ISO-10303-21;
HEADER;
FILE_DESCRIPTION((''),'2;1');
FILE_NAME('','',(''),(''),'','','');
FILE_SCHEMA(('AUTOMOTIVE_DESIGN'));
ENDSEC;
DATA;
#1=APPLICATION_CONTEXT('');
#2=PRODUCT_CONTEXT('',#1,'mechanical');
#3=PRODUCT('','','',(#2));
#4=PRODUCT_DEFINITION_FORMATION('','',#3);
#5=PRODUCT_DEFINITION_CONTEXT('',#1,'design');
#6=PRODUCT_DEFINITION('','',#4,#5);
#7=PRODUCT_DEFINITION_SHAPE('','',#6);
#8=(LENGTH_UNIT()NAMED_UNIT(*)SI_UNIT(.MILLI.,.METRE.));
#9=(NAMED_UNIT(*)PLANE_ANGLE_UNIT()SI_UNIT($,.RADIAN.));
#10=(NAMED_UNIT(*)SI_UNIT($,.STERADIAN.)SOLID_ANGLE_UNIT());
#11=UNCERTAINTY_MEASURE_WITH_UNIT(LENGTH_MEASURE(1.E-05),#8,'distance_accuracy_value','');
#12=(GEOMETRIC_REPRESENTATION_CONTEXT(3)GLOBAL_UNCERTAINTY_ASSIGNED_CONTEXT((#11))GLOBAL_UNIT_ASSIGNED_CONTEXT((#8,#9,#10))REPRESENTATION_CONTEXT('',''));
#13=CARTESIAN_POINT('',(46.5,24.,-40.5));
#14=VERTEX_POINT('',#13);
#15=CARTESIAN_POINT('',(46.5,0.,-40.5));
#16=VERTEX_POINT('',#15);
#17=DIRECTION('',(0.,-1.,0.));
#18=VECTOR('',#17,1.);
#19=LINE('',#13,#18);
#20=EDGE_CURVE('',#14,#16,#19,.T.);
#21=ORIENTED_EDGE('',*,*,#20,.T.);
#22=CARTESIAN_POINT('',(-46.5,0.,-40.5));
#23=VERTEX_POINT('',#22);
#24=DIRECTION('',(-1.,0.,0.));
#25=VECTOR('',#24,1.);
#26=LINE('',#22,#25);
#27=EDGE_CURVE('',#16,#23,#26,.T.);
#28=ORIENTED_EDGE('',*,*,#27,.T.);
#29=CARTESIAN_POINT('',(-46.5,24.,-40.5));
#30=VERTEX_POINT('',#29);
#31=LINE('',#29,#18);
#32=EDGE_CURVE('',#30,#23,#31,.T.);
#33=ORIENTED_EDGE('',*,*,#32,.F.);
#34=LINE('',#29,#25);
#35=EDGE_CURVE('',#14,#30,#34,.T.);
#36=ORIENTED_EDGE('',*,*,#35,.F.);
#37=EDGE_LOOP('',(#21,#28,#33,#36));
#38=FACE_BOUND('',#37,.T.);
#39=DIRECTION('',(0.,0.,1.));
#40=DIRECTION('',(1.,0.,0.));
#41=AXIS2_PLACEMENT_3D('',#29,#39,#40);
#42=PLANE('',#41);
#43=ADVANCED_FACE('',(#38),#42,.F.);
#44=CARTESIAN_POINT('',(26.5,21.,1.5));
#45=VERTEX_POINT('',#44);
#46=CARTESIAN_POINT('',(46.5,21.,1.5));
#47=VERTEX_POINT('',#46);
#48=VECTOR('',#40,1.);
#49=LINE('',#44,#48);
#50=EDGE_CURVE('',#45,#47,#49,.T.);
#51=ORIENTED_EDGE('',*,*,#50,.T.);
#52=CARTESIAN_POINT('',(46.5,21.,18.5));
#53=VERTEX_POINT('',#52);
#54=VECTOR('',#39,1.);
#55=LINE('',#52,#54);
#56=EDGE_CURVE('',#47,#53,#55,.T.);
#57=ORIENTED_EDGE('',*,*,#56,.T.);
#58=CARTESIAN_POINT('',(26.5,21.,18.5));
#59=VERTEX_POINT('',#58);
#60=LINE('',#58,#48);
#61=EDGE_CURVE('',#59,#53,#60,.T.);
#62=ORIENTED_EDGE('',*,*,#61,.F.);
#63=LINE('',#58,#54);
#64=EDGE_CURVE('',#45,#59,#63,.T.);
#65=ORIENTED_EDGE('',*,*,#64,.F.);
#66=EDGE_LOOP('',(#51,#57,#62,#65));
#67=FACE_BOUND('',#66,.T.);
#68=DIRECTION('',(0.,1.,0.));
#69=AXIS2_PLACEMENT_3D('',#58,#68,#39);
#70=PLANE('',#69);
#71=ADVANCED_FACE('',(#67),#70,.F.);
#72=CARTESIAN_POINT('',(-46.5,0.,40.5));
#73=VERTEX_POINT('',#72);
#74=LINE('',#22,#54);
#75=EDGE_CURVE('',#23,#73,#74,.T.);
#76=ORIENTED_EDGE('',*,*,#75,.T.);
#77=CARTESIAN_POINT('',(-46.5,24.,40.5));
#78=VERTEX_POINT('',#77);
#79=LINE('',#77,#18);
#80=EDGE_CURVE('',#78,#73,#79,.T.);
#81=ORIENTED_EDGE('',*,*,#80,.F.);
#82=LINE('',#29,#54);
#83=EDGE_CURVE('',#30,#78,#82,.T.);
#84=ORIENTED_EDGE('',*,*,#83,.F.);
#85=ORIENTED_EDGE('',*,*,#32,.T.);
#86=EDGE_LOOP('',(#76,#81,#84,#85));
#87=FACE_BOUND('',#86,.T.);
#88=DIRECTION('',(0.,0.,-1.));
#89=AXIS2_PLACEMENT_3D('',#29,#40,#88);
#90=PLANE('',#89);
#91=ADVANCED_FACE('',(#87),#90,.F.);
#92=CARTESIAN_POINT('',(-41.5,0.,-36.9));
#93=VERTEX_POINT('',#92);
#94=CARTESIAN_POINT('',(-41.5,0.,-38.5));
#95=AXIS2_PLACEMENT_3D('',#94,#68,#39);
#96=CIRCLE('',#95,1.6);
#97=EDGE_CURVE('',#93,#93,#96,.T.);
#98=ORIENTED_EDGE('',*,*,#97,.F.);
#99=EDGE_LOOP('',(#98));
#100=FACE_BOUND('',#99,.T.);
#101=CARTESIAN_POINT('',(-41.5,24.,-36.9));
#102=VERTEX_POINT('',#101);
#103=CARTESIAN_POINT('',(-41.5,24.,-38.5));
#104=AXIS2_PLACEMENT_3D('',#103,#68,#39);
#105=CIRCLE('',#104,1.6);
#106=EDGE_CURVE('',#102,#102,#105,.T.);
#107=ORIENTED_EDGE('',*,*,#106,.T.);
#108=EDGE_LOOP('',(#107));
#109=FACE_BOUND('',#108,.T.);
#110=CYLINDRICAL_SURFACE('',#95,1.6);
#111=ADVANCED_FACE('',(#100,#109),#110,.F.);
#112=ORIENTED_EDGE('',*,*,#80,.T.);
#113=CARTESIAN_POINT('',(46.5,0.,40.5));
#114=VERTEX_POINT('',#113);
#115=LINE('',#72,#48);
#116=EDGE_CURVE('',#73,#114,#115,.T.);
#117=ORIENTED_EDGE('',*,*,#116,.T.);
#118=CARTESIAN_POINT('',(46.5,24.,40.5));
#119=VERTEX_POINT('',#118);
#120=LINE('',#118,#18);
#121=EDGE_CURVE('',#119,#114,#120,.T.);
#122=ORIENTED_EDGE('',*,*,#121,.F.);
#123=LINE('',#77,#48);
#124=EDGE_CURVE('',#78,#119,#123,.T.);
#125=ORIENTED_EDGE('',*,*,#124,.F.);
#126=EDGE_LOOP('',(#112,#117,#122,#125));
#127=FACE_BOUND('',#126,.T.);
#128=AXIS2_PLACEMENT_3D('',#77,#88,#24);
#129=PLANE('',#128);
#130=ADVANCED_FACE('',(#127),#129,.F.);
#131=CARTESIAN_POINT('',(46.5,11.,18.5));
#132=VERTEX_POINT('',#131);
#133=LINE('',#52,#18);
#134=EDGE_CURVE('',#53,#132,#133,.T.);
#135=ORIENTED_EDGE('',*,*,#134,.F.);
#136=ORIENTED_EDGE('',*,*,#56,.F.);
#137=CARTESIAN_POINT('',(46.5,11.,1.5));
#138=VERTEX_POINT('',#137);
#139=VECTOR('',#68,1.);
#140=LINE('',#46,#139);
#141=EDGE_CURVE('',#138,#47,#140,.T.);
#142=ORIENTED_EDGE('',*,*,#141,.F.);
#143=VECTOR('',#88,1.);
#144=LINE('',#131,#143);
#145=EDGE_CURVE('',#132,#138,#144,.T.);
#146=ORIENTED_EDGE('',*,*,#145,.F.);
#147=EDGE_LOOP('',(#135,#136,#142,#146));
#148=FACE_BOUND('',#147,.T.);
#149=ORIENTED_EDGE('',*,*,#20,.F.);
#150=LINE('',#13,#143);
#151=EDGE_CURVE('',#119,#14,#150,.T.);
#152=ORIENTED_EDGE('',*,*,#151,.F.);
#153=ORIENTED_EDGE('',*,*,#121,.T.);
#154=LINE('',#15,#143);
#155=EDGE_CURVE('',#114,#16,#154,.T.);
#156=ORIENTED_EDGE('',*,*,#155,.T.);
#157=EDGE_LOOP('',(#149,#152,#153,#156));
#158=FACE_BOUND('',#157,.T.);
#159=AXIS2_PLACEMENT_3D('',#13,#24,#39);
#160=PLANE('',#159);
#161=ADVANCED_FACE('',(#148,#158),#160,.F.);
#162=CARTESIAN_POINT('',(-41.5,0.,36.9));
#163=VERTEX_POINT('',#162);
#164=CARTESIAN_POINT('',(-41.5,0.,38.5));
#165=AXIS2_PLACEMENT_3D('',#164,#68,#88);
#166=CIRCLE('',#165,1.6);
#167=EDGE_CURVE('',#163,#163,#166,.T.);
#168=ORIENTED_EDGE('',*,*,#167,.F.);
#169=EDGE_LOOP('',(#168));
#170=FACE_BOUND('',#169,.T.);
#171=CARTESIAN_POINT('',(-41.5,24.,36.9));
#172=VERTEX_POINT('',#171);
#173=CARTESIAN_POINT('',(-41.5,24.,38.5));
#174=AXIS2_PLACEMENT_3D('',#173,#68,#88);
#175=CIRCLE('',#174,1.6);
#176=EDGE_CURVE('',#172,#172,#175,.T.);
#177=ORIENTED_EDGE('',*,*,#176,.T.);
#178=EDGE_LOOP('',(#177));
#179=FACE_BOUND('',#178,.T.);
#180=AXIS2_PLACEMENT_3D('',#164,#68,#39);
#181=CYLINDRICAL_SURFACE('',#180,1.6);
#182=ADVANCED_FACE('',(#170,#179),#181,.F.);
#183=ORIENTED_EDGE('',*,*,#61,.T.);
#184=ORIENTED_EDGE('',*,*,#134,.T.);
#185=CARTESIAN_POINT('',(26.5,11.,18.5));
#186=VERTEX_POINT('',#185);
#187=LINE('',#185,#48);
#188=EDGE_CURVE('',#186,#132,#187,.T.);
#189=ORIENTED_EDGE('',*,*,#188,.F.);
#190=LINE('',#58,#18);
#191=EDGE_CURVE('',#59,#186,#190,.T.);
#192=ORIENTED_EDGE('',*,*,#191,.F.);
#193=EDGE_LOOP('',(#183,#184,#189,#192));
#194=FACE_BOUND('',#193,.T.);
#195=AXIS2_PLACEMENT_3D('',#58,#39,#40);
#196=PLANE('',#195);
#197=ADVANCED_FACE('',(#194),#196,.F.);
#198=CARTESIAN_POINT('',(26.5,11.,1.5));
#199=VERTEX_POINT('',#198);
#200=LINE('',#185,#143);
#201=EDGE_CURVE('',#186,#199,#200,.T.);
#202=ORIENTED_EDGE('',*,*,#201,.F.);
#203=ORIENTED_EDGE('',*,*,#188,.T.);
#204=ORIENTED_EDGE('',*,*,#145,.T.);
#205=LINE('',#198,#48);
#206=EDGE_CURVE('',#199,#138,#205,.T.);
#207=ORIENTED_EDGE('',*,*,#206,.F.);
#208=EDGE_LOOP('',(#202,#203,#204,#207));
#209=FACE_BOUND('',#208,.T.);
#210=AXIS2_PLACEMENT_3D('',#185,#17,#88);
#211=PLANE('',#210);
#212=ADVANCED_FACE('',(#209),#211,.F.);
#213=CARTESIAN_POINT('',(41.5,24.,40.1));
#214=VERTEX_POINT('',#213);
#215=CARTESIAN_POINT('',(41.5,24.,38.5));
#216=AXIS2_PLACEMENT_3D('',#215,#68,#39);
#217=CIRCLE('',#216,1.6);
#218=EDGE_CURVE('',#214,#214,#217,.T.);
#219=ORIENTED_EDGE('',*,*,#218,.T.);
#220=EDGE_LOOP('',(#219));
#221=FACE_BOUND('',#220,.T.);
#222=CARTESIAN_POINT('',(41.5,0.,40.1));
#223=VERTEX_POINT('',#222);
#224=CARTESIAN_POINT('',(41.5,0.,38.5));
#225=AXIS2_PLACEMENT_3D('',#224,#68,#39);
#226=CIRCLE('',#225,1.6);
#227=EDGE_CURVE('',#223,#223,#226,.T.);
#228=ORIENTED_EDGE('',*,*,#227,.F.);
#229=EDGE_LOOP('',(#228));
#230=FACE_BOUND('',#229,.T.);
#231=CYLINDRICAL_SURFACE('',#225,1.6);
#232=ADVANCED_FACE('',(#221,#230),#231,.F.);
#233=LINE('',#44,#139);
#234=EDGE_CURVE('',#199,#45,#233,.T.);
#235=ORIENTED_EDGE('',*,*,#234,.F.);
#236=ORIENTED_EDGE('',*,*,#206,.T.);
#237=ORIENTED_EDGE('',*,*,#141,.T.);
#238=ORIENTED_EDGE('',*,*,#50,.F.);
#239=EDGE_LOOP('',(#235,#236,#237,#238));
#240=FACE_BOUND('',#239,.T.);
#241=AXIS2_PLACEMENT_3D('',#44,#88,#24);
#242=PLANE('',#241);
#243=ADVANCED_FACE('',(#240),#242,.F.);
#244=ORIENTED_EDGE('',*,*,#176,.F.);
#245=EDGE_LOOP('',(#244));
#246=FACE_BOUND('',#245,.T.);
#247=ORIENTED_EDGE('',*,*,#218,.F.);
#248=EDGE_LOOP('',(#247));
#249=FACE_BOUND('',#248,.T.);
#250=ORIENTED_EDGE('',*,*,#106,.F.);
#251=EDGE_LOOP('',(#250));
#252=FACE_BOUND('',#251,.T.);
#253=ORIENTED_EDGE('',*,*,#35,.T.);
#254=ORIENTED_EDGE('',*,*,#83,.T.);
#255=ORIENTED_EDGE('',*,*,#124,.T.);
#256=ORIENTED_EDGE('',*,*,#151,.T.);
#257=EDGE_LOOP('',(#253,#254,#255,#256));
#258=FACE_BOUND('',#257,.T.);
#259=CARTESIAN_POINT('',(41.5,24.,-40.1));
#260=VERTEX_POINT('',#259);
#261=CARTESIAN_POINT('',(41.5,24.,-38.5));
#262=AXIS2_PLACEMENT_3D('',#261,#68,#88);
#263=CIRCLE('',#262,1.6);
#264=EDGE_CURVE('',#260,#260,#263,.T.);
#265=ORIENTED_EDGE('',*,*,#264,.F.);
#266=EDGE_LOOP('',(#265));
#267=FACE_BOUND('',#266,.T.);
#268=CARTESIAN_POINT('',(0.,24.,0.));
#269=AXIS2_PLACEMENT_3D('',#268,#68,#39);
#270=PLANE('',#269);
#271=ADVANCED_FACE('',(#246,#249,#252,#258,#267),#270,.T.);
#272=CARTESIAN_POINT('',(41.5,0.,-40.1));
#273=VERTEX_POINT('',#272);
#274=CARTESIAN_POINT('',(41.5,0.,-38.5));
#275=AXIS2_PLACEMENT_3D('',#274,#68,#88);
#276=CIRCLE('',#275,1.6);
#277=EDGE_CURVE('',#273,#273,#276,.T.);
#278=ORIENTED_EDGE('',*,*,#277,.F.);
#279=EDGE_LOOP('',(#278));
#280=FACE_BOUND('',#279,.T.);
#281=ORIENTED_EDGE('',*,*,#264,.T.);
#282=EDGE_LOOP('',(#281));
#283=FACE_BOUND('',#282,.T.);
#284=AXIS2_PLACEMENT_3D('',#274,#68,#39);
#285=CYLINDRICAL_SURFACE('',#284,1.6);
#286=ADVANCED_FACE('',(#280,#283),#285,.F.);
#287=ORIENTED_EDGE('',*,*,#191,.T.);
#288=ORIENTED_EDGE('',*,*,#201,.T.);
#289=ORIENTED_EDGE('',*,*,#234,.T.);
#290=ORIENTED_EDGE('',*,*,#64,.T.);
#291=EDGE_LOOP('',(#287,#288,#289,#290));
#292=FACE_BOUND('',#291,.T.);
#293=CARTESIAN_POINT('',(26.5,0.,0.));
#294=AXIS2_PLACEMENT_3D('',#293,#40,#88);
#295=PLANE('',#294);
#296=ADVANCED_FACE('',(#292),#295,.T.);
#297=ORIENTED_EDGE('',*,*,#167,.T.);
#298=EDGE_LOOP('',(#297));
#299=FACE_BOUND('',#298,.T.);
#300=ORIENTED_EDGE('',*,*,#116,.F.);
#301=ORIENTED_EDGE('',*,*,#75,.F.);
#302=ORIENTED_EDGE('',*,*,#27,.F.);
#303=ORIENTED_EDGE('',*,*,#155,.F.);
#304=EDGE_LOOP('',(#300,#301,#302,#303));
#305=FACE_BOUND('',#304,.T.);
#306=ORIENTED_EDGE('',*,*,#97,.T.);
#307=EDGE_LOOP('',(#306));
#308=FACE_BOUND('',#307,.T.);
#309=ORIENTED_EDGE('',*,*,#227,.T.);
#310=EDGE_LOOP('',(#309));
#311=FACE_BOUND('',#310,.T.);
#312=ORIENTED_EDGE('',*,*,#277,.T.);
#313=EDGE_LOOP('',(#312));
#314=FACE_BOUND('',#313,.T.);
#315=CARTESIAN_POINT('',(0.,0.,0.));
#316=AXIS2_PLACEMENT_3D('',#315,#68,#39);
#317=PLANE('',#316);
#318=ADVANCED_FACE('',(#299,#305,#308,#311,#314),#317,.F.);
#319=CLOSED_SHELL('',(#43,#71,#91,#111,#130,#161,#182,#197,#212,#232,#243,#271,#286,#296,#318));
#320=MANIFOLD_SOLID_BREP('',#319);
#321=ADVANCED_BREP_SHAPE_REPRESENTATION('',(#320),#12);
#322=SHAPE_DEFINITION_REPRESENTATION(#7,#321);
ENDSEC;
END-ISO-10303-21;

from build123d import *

# Parameters (mm, degrees)
SKETCH1_W           = 93
SKETCH1_H           = 81
BOSS_EXTRUDE1_DEPTH = 24
SKETCH2_R           = 1.6
CUT_EXTRUDE1_DEPTH  = 24
SKETCH3_W           = 17
SKETCH3_H           = 10
CUT_EXTRUDE2_DEPTH  = 20


with BuildPart() as part:
    # Sketch1 → Boss-Extrude1 (new body)
    with BuildSketch(Plane(origin=(0, 0, 0), x_dir=(1, 0, 0), z_dir=(0, 1, 0))):
        Rectangle(SKETCH1_W, SKETCH1_H)
    extrude(amount=BOSS_EXTRUDE1_DEPTH)

    # Sketch2 → Cut-Extrude1 (cut)
    with BuildSketch(Plane(origin=(0, 24, 0), x_dir=(1, 0, 0), z_dir=(0, 1, 0))):
        with Locations(Location((-41.5, 38.5, 0), (0, 0, 270))):
            Circle(SKETCH2_R)
        with Locations(Location((-41.5, -38.5, 0), (0, 0, 90))):
            Circle(SKETCH2_R)
        with Locations(Location((41.5, -38.5, 0), (0, 0, 270))):
            Circle(SKETCH2_R)
        with Locations(Location((41.5, 38.5, 0), (0, 0, 90))):
            Circle(SKETCH2_R)
    extrude(amount=-CUT_EXTRUDE1_DEPTH, mode=Mode.SUBTRACT)

    # Sketch3 → Cut-Extrude2 (cut)
    with BuildSketch(Plane(origin=(46.5, 0, 0), x_dir=(0, 0, -1), z_dir=(1, 0, 0))):
        with Locations((-10, 16)):
            Rectangle(SKETCH3_W, SKETCH3_H)
    extrude(amount=-CUT_EXTRUDE2_DEPTH, mode=Mode.SUBTRACT)


solid = part.part
